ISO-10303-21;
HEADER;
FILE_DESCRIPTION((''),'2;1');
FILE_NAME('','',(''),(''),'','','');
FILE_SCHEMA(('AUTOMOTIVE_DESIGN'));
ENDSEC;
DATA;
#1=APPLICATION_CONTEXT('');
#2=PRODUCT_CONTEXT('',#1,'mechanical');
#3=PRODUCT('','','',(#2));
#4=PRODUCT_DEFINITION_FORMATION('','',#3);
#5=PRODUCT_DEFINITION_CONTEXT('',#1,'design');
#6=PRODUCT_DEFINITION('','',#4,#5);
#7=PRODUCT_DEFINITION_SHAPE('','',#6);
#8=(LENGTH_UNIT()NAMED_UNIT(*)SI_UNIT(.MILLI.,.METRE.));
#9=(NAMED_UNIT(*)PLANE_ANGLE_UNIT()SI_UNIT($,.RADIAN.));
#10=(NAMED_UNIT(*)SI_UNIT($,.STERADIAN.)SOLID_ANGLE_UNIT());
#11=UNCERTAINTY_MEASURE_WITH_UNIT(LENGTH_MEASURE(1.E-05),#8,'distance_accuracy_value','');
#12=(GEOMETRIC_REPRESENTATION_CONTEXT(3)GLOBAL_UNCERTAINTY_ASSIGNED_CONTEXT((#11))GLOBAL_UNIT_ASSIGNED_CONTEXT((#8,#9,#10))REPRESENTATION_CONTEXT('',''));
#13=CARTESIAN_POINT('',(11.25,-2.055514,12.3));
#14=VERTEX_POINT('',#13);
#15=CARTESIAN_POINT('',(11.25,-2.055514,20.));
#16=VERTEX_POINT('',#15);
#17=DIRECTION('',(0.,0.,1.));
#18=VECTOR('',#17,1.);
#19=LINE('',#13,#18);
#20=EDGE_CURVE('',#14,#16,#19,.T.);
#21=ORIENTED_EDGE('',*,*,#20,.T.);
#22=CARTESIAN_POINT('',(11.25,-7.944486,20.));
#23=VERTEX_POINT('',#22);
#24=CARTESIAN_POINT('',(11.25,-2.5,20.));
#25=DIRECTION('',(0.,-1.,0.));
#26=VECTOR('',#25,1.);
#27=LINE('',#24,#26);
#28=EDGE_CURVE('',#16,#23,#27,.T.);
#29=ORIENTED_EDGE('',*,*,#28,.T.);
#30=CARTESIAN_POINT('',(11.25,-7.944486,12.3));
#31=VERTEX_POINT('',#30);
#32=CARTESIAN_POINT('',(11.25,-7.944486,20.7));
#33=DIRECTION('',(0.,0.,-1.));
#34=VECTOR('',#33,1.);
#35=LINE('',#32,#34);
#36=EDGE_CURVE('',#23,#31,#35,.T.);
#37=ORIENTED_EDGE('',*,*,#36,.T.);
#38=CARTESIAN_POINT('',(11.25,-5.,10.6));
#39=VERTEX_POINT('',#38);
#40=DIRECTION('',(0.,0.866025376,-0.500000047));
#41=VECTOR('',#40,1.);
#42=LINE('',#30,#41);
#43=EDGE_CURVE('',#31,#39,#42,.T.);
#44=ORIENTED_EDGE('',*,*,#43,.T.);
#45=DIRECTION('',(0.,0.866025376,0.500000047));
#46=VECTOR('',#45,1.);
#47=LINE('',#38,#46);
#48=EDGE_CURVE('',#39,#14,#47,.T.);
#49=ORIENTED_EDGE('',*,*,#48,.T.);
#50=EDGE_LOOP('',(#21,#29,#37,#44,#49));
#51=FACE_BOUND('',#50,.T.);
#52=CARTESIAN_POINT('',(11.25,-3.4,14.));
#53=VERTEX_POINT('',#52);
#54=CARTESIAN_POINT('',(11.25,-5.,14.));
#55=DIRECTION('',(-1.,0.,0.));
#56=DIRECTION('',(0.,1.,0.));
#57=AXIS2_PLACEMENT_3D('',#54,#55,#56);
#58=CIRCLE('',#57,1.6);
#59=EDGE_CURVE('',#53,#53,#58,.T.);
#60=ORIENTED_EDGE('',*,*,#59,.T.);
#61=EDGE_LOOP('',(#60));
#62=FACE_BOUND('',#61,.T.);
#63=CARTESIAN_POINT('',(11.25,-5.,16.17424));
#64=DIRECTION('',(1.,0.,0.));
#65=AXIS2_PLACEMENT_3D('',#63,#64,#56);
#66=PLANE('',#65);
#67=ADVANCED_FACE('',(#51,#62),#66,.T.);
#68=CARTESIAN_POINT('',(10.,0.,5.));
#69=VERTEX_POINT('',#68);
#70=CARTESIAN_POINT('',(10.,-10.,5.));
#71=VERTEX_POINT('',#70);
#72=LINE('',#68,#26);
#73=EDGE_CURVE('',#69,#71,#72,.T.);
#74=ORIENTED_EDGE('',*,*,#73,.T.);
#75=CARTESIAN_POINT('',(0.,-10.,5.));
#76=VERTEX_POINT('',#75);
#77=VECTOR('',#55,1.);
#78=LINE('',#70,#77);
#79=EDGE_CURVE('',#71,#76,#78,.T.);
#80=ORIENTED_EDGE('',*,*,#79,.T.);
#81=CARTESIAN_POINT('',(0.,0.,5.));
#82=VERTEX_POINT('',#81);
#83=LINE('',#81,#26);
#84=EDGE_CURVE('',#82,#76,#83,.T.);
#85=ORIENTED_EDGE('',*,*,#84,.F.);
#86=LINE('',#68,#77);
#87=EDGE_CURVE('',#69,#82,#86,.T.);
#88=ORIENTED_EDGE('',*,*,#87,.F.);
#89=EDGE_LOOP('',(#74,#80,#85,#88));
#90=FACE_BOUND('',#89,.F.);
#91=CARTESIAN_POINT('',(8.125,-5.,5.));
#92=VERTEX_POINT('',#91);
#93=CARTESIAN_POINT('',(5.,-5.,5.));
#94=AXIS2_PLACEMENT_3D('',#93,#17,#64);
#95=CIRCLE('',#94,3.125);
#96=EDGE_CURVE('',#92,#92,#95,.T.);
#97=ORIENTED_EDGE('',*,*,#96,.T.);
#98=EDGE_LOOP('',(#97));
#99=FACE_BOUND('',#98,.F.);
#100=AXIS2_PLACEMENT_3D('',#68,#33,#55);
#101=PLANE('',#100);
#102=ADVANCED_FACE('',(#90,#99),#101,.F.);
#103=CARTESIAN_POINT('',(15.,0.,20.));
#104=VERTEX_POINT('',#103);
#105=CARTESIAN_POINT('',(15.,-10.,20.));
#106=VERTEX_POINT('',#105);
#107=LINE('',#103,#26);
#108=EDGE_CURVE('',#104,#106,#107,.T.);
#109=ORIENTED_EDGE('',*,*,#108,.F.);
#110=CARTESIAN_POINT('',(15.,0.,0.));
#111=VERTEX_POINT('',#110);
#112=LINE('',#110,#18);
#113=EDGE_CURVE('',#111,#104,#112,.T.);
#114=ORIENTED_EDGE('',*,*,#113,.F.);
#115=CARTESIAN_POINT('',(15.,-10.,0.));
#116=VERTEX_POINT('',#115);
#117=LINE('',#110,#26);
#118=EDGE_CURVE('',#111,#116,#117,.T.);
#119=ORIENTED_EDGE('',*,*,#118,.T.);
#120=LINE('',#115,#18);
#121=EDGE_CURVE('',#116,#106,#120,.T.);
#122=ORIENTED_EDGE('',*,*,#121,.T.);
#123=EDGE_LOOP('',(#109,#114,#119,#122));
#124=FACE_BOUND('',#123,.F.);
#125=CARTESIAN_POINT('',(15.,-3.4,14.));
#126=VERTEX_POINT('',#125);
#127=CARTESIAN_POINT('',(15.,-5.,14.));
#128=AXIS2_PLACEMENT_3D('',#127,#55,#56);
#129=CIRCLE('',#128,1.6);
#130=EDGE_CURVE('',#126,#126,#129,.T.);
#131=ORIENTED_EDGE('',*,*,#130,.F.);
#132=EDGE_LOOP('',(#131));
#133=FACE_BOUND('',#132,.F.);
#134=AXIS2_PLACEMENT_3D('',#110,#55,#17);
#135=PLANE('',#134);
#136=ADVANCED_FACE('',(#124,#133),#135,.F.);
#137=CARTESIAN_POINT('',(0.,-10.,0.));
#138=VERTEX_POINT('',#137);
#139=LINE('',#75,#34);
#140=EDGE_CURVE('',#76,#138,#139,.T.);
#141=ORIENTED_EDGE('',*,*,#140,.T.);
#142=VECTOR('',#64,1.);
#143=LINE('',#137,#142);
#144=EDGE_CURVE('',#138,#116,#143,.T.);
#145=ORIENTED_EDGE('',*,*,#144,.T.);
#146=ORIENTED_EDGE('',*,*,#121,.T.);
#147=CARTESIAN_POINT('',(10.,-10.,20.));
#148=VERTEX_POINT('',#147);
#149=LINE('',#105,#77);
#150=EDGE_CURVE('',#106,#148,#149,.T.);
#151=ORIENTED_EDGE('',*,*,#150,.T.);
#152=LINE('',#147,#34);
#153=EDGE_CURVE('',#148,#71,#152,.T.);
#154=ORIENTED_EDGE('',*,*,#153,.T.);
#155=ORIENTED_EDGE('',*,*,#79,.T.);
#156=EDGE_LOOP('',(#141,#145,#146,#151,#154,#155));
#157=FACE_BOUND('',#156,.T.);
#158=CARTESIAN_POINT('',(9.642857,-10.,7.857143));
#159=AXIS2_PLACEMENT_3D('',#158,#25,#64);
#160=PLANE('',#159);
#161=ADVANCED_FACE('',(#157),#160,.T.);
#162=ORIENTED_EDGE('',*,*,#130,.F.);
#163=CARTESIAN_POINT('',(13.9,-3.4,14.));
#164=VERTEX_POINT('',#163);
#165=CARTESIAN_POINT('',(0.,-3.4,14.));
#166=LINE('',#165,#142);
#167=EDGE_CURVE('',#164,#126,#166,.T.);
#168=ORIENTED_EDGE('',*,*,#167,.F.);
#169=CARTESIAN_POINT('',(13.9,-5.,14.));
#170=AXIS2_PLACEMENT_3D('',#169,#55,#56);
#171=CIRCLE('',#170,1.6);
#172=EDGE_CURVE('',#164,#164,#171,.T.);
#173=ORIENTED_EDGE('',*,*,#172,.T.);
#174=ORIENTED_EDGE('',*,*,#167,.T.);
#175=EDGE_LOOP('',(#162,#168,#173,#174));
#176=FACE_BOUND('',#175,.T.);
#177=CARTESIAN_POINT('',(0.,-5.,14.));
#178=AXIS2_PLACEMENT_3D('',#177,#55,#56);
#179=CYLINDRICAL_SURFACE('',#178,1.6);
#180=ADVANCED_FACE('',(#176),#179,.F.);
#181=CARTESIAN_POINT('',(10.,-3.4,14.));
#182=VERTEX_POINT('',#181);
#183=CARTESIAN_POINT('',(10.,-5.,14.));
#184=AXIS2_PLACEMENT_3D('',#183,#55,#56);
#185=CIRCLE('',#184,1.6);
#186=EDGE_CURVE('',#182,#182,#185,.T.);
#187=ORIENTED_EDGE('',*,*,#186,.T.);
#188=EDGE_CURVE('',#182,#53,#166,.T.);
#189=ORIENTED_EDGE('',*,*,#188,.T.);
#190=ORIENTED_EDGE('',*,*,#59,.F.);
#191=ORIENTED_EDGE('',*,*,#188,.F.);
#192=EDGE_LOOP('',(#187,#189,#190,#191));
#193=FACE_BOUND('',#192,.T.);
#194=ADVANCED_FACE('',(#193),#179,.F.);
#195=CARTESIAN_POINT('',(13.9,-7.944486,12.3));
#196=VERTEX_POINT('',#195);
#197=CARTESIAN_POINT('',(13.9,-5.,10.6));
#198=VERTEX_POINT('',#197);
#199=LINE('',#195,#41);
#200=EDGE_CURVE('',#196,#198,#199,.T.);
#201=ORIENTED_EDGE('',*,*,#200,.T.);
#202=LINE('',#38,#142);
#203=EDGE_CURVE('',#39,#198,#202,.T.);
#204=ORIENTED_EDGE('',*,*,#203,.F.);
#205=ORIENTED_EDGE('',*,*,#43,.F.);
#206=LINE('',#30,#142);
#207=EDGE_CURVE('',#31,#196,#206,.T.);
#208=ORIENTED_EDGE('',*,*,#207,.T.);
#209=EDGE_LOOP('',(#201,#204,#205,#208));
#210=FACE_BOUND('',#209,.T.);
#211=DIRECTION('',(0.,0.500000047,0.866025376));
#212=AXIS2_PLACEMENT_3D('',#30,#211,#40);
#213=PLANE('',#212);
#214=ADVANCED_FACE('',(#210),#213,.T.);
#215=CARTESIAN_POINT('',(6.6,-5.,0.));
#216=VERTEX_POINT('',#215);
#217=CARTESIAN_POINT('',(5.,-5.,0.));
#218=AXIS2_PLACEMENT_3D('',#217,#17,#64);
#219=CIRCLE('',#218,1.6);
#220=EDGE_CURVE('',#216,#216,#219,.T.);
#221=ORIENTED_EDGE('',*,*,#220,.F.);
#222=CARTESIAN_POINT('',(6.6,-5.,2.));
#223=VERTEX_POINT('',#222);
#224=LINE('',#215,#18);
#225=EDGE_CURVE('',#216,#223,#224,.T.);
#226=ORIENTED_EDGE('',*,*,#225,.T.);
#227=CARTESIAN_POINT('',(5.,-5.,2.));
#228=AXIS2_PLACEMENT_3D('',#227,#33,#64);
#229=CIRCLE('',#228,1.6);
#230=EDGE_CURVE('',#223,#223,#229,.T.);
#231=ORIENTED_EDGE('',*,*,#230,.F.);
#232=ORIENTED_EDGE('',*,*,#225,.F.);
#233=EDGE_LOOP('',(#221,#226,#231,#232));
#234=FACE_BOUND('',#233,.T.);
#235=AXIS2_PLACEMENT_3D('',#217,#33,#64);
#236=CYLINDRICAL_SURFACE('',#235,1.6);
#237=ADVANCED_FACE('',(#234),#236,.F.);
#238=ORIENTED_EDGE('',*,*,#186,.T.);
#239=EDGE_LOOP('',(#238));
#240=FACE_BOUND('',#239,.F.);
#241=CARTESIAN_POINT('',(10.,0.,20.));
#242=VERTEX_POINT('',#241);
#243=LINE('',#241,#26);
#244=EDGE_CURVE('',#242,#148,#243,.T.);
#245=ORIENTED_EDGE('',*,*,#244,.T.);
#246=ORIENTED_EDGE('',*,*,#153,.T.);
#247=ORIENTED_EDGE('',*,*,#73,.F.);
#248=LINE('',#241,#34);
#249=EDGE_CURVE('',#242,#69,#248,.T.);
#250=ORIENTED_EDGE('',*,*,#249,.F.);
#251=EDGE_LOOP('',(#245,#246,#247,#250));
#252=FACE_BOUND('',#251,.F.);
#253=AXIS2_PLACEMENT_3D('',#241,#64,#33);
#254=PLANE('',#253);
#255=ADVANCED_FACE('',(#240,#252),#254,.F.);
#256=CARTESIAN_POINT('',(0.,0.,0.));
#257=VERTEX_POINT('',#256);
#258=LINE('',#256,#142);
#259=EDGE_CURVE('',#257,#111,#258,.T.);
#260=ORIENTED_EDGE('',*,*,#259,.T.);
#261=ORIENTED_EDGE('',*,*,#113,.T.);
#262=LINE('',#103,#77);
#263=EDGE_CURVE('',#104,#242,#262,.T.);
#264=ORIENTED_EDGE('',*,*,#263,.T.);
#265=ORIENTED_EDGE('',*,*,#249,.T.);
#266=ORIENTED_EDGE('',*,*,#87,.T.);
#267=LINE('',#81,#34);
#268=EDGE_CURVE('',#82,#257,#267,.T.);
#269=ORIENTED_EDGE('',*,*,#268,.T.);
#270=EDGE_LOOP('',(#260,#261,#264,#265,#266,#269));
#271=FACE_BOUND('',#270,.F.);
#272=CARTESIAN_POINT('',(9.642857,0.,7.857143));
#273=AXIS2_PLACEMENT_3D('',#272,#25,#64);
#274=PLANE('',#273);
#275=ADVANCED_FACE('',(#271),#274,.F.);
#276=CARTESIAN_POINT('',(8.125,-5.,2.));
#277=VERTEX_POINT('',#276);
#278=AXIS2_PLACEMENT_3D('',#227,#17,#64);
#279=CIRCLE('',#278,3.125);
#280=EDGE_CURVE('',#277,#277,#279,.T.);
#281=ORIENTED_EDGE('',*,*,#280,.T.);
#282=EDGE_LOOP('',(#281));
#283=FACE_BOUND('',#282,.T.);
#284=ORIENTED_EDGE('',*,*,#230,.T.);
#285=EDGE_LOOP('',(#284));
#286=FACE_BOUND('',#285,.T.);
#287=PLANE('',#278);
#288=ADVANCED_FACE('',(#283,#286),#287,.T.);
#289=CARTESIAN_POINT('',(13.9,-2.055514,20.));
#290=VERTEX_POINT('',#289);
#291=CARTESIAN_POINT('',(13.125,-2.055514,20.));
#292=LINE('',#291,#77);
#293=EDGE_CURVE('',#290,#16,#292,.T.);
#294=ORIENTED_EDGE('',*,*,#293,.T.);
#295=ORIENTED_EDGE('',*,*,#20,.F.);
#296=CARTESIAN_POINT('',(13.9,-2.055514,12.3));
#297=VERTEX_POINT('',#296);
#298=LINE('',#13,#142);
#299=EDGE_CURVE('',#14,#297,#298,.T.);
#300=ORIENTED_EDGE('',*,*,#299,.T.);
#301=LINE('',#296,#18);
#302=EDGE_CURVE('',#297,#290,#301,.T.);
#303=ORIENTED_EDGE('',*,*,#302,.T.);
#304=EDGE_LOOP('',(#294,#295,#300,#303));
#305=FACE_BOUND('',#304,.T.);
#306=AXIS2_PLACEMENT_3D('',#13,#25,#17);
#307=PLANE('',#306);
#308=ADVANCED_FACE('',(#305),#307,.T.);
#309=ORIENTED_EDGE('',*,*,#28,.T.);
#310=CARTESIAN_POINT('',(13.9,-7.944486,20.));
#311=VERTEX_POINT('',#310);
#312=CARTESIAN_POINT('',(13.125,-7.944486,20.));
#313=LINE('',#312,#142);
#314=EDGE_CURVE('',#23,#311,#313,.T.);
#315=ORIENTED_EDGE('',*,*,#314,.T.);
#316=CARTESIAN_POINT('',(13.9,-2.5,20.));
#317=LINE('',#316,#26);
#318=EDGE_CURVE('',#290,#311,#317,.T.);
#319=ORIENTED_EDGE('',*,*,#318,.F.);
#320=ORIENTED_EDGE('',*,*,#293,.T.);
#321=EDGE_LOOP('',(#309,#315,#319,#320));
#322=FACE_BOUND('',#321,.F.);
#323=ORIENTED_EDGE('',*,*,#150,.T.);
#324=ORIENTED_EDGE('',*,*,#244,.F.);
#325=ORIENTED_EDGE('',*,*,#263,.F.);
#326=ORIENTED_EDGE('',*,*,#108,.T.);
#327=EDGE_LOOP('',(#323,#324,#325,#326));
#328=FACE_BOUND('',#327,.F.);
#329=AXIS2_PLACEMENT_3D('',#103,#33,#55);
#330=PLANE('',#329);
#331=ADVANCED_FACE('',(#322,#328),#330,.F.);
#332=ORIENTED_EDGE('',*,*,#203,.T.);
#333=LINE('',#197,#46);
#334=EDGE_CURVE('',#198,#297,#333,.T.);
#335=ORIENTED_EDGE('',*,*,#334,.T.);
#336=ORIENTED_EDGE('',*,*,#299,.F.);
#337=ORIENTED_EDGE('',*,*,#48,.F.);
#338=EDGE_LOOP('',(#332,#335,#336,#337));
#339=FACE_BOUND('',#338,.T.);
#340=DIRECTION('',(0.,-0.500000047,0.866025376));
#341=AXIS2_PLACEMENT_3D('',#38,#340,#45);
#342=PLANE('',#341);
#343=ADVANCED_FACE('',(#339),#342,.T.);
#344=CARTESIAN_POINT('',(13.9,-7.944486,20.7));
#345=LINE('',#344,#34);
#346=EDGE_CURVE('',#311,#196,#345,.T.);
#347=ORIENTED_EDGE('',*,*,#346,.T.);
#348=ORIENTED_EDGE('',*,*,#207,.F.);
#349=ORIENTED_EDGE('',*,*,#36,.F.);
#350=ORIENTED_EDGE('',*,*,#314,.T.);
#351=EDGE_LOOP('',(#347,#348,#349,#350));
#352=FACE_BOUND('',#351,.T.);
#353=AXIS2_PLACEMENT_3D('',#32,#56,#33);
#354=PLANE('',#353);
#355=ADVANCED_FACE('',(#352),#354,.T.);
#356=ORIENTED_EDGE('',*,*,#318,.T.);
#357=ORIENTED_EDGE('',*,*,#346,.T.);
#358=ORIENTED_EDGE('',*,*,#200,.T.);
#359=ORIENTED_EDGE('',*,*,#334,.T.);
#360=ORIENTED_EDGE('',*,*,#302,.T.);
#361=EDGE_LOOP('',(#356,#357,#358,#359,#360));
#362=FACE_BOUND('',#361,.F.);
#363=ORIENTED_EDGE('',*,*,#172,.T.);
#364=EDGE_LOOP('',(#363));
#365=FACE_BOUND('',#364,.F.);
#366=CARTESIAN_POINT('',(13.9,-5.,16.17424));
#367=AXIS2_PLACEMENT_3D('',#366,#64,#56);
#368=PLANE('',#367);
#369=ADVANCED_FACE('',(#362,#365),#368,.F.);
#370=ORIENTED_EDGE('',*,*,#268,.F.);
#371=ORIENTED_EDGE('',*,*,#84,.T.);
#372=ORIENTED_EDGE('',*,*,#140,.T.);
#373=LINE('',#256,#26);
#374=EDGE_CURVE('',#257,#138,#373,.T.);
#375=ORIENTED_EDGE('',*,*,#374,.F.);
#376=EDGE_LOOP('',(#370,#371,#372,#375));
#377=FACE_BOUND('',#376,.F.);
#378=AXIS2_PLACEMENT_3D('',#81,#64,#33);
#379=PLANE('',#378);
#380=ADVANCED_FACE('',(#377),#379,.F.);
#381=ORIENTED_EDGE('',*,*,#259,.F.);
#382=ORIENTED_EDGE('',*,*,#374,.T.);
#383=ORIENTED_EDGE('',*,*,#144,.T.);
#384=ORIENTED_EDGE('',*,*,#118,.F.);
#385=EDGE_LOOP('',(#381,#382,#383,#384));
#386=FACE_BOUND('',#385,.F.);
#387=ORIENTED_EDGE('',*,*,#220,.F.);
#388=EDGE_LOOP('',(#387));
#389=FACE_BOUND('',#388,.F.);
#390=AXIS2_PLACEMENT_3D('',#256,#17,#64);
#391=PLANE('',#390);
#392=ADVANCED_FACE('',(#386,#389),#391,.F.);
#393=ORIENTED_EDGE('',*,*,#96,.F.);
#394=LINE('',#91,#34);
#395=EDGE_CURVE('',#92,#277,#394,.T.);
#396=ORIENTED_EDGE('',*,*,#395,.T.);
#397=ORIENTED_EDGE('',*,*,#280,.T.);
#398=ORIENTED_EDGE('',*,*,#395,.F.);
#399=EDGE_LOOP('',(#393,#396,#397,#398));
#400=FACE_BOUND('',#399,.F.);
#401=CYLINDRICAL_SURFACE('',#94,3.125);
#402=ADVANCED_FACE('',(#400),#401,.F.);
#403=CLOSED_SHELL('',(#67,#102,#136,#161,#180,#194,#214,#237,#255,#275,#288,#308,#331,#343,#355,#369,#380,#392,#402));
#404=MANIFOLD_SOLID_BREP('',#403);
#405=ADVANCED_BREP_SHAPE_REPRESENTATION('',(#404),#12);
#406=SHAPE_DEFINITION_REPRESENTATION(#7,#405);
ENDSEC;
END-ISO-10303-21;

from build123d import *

# Parameters (mm, degrees)
PAD_DEPTH       = 10
SKETCH001_R     = 1.6
POCKET_DEPTH    = 20.001
SKETCH002_R     = 1.6
POCKET001_DEPTH = 15.001
POCKET002_DEPTH = 2.65
SKETCH004_R     = 3.125
POCKET003_DEPTH = 3


with BuildPart() as part:
    # Sketch → Pad (new body)
    with BuildSketch(Plane.XZ):
        Polygon((15, 20), (10, 20), (10, 5), (0, 5), (0, 0), (15, 0), (15, 14), align=None)
    extrude(amount=PAD_DEPTH)

    # Sketch001 → Pocket (cut, through all)
    with BuildSketch(Plane.XY):
        with Locations((5, -5)):
            Circle(SKETCH001_R)
    extrude(amount=POCKET_DEPTH, mode=Mode.SUBTRACT)

    # Sketch002 → Pocket001 (cut, through all)
    with BuildSketch(Plane.YZ):
        with Locations((-5, 14)):
            Circle(SKETCH002_R)
    extrude(amount=POCKET001_DEPTH, mode=Mode.SUBTRACT)

    # Sketch003 → Pocket002 (cut)
    with BuildSketch(Plane.YZ.offset(11.25)):
        Polygon((-2.055514, 12.3), (-2.055514, 15.7), (-2.055514, 20.7), (-7.944486, 20.7), (-7.944486, 15.7), (-7.944486, 12.3), (-5, 10.6), align=None)
    extrude(amount=POCKET002_DEPTH, mode=Mode.SUBTRACT)

    # Sketch004 → Pocket003 (cut)
    with BuildSketch(Plane.XY.offset(5)):
        with Locations((5, -5)):
            Circle(SKETCH004_R)
    extrude(amount=-POCKET003_DEPTH, mode=Mode.SUBTRACT)


solid = part.part
